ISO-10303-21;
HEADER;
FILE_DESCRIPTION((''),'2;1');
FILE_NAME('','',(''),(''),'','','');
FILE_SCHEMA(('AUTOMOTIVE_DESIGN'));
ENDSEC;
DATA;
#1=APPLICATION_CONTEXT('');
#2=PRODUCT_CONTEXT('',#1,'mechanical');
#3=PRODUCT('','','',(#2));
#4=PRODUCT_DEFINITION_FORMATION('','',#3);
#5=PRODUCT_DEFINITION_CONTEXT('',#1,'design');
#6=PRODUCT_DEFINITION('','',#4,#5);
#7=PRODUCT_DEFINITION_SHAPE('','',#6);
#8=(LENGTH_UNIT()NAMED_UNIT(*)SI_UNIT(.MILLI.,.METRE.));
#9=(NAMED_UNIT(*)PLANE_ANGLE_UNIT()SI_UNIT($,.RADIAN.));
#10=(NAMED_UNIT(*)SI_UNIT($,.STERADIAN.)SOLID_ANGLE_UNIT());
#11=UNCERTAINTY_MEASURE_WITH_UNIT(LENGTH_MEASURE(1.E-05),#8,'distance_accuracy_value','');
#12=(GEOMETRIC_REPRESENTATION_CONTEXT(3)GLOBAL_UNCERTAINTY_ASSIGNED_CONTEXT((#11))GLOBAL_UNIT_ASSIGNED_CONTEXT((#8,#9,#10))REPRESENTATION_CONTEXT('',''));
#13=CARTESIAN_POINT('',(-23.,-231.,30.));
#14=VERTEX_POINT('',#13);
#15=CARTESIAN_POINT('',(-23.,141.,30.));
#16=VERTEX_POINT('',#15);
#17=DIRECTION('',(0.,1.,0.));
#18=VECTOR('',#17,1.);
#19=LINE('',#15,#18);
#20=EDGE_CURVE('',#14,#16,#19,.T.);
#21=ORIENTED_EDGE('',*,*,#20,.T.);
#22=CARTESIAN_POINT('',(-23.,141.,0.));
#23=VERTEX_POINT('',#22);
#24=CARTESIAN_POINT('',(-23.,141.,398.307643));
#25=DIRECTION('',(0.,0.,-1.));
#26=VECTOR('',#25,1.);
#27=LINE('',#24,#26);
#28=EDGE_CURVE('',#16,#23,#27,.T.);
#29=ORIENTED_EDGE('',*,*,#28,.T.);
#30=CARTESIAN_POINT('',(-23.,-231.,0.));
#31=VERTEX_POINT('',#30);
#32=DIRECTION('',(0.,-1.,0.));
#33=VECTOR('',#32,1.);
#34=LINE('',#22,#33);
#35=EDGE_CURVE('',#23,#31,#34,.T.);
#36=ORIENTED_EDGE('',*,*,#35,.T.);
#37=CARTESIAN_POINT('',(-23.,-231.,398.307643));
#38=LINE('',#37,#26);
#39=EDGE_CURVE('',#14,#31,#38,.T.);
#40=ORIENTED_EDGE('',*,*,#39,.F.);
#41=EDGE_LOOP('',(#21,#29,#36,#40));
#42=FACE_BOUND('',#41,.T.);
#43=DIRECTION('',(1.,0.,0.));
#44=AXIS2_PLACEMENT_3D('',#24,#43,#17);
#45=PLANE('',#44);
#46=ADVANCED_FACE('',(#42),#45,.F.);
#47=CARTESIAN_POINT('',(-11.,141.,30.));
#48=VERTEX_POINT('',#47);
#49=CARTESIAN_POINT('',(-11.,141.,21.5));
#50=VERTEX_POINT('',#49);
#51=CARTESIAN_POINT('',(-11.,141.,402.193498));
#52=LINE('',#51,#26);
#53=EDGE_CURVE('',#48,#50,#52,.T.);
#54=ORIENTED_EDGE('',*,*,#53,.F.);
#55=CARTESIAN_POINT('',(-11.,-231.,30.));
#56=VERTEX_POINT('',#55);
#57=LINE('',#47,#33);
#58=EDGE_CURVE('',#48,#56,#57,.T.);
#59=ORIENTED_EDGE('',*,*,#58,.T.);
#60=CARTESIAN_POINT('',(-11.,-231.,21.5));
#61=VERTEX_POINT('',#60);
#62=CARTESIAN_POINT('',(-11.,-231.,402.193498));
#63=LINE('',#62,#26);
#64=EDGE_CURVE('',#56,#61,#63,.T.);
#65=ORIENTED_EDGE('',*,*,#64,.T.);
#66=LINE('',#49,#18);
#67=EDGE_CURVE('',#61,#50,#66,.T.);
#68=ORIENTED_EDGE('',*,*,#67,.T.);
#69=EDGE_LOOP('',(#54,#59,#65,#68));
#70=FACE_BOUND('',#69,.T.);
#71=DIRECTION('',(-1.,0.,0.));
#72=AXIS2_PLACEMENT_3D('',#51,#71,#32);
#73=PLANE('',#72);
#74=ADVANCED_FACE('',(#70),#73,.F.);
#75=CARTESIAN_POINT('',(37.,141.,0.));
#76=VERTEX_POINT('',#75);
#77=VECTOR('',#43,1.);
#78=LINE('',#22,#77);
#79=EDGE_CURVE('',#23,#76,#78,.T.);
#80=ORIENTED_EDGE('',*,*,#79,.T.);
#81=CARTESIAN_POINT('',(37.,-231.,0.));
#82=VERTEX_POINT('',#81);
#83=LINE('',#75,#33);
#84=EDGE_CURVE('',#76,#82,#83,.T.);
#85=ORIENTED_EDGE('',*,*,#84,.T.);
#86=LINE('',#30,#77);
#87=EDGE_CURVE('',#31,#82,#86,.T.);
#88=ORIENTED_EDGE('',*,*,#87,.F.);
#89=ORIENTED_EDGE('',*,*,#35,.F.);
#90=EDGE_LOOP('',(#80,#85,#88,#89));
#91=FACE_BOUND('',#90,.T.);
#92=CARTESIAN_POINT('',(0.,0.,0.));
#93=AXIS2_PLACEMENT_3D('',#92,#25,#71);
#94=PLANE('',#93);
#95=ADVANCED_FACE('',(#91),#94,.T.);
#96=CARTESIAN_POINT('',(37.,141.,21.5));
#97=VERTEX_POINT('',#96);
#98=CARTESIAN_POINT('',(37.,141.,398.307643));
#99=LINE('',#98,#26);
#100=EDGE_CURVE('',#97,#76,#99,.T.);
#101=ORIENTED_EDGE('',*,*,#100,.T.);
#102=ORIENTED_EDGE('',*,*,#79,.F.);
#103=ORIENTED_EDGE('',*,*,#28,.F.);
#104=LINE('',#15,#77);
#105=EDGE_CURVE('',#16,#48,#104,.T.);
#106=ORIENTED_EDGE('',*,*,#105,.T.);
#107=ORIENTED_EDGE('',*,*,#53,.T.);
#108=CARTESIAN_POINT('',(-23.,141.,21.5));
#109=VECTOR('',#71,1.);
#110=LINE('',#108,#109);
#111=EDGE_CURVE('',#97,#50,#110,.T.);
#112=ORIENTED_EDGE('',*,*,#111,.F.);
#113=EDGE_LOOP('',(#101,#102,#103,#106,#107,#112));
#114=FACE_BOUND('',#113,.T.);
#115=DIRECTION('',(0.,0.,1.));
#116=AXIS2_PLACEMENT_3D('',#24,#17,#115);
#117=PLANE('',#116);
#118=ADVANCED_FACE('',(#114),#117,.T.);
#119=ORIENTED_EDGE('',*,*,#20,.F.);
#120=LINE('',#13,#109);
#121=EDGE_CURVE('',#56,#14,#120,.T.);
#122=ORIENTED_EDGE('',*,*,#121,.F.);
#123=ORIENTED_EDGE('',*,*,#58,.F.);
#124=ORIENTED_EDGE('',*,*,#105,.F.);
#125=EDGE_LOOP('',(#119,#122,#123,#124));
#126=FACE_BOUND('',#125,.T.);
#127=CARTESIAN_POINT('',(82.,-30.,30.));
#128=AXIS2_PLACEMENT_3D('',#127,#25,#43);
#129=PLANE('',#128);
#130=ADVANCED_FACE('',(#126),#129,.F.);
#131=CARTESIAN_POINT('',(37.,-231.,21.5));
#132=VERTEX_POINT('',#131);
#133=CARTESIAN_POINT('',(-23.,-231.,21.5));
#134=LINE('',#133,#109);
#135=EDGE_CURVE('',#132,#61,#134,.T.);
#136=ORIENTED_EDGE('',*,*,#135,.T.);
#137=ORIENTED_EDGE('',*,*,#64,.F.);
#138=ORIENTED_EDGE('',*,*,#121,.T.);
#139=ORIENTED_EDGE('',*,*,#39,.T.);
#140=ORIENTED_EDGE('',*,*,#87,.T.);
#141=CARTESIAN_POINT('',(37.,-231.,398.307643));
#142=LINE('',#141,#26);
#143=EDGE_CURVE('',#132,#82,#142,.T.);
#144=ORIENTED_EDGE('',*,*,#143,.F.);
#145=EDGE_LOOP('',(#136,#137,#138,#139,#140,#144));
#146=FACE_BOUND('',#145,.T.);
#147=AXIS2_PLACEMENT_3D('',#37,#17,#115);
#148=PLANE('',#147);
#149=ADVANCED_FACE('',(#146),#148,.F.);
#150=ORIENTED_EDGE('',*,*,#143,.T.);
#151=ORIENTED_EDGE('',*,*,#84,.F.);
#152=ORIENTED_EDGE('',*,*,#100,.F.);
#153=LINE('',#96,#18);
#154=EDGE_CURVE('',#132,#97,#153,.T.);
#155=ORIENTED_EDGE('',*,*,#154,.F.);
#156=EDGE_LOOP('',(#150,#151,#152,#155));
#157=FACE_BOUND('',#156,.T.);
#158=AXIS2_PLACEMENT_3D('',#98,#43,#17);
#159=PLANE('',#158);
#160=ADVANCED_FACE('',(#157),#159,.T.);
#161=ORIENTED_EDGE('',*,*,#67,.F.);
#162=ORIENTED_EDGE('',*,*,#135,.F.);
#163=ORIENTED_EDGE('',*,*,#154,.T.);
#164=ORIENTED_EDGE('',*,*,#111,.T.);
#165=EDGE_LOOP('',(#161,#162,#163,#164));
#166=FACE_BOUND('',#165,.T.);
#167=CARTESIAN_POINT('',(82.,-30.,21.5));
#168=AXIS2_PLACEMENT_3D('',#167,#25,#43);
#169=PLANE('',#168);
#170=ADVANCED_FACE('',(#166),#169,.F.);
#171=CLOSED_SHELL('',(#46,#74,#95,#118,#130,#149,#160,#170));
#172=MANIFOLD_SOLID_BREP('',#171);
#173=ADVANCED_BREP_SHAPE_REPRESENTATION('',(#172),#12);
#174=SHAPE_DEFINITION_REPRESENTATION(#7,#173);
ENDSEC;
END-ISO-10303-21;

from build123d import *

# Parameters (mm, degrees)
ESQUISSE1_W        = 60
ESQUISSE1_H        = 372
BOSS_EXTRU_1_DEPTH = 21.5
ESQUISSE2_W        = 12
ESQUISSE2_H        = 372
BOSS_EXTRU_2_DEPTH = 8.5


with BuildPart() as part:
    # Esquisse1 → Boss.-Extru.1 (new body)
    with BuildSketch(Plane.XY):
        with Locations((7, -45)):
            Rectangle(ESQUISSE1_W, ESQUISSE1_H)
    extrude(amount=BOSS_EXTRU_1_DEPTH)

    # Esquisse2 → Boss.-Extru.2 (add)
    with BuildSketch(Plane.XY.offset(21.5)):
        with Locations((-17, -45)):
            Rectangle(ESQUISSE2_W, ESQUISSE2_H)
    extrude(amount=BOSS_EXTRU_2_DEPTH)


solid = part.part
